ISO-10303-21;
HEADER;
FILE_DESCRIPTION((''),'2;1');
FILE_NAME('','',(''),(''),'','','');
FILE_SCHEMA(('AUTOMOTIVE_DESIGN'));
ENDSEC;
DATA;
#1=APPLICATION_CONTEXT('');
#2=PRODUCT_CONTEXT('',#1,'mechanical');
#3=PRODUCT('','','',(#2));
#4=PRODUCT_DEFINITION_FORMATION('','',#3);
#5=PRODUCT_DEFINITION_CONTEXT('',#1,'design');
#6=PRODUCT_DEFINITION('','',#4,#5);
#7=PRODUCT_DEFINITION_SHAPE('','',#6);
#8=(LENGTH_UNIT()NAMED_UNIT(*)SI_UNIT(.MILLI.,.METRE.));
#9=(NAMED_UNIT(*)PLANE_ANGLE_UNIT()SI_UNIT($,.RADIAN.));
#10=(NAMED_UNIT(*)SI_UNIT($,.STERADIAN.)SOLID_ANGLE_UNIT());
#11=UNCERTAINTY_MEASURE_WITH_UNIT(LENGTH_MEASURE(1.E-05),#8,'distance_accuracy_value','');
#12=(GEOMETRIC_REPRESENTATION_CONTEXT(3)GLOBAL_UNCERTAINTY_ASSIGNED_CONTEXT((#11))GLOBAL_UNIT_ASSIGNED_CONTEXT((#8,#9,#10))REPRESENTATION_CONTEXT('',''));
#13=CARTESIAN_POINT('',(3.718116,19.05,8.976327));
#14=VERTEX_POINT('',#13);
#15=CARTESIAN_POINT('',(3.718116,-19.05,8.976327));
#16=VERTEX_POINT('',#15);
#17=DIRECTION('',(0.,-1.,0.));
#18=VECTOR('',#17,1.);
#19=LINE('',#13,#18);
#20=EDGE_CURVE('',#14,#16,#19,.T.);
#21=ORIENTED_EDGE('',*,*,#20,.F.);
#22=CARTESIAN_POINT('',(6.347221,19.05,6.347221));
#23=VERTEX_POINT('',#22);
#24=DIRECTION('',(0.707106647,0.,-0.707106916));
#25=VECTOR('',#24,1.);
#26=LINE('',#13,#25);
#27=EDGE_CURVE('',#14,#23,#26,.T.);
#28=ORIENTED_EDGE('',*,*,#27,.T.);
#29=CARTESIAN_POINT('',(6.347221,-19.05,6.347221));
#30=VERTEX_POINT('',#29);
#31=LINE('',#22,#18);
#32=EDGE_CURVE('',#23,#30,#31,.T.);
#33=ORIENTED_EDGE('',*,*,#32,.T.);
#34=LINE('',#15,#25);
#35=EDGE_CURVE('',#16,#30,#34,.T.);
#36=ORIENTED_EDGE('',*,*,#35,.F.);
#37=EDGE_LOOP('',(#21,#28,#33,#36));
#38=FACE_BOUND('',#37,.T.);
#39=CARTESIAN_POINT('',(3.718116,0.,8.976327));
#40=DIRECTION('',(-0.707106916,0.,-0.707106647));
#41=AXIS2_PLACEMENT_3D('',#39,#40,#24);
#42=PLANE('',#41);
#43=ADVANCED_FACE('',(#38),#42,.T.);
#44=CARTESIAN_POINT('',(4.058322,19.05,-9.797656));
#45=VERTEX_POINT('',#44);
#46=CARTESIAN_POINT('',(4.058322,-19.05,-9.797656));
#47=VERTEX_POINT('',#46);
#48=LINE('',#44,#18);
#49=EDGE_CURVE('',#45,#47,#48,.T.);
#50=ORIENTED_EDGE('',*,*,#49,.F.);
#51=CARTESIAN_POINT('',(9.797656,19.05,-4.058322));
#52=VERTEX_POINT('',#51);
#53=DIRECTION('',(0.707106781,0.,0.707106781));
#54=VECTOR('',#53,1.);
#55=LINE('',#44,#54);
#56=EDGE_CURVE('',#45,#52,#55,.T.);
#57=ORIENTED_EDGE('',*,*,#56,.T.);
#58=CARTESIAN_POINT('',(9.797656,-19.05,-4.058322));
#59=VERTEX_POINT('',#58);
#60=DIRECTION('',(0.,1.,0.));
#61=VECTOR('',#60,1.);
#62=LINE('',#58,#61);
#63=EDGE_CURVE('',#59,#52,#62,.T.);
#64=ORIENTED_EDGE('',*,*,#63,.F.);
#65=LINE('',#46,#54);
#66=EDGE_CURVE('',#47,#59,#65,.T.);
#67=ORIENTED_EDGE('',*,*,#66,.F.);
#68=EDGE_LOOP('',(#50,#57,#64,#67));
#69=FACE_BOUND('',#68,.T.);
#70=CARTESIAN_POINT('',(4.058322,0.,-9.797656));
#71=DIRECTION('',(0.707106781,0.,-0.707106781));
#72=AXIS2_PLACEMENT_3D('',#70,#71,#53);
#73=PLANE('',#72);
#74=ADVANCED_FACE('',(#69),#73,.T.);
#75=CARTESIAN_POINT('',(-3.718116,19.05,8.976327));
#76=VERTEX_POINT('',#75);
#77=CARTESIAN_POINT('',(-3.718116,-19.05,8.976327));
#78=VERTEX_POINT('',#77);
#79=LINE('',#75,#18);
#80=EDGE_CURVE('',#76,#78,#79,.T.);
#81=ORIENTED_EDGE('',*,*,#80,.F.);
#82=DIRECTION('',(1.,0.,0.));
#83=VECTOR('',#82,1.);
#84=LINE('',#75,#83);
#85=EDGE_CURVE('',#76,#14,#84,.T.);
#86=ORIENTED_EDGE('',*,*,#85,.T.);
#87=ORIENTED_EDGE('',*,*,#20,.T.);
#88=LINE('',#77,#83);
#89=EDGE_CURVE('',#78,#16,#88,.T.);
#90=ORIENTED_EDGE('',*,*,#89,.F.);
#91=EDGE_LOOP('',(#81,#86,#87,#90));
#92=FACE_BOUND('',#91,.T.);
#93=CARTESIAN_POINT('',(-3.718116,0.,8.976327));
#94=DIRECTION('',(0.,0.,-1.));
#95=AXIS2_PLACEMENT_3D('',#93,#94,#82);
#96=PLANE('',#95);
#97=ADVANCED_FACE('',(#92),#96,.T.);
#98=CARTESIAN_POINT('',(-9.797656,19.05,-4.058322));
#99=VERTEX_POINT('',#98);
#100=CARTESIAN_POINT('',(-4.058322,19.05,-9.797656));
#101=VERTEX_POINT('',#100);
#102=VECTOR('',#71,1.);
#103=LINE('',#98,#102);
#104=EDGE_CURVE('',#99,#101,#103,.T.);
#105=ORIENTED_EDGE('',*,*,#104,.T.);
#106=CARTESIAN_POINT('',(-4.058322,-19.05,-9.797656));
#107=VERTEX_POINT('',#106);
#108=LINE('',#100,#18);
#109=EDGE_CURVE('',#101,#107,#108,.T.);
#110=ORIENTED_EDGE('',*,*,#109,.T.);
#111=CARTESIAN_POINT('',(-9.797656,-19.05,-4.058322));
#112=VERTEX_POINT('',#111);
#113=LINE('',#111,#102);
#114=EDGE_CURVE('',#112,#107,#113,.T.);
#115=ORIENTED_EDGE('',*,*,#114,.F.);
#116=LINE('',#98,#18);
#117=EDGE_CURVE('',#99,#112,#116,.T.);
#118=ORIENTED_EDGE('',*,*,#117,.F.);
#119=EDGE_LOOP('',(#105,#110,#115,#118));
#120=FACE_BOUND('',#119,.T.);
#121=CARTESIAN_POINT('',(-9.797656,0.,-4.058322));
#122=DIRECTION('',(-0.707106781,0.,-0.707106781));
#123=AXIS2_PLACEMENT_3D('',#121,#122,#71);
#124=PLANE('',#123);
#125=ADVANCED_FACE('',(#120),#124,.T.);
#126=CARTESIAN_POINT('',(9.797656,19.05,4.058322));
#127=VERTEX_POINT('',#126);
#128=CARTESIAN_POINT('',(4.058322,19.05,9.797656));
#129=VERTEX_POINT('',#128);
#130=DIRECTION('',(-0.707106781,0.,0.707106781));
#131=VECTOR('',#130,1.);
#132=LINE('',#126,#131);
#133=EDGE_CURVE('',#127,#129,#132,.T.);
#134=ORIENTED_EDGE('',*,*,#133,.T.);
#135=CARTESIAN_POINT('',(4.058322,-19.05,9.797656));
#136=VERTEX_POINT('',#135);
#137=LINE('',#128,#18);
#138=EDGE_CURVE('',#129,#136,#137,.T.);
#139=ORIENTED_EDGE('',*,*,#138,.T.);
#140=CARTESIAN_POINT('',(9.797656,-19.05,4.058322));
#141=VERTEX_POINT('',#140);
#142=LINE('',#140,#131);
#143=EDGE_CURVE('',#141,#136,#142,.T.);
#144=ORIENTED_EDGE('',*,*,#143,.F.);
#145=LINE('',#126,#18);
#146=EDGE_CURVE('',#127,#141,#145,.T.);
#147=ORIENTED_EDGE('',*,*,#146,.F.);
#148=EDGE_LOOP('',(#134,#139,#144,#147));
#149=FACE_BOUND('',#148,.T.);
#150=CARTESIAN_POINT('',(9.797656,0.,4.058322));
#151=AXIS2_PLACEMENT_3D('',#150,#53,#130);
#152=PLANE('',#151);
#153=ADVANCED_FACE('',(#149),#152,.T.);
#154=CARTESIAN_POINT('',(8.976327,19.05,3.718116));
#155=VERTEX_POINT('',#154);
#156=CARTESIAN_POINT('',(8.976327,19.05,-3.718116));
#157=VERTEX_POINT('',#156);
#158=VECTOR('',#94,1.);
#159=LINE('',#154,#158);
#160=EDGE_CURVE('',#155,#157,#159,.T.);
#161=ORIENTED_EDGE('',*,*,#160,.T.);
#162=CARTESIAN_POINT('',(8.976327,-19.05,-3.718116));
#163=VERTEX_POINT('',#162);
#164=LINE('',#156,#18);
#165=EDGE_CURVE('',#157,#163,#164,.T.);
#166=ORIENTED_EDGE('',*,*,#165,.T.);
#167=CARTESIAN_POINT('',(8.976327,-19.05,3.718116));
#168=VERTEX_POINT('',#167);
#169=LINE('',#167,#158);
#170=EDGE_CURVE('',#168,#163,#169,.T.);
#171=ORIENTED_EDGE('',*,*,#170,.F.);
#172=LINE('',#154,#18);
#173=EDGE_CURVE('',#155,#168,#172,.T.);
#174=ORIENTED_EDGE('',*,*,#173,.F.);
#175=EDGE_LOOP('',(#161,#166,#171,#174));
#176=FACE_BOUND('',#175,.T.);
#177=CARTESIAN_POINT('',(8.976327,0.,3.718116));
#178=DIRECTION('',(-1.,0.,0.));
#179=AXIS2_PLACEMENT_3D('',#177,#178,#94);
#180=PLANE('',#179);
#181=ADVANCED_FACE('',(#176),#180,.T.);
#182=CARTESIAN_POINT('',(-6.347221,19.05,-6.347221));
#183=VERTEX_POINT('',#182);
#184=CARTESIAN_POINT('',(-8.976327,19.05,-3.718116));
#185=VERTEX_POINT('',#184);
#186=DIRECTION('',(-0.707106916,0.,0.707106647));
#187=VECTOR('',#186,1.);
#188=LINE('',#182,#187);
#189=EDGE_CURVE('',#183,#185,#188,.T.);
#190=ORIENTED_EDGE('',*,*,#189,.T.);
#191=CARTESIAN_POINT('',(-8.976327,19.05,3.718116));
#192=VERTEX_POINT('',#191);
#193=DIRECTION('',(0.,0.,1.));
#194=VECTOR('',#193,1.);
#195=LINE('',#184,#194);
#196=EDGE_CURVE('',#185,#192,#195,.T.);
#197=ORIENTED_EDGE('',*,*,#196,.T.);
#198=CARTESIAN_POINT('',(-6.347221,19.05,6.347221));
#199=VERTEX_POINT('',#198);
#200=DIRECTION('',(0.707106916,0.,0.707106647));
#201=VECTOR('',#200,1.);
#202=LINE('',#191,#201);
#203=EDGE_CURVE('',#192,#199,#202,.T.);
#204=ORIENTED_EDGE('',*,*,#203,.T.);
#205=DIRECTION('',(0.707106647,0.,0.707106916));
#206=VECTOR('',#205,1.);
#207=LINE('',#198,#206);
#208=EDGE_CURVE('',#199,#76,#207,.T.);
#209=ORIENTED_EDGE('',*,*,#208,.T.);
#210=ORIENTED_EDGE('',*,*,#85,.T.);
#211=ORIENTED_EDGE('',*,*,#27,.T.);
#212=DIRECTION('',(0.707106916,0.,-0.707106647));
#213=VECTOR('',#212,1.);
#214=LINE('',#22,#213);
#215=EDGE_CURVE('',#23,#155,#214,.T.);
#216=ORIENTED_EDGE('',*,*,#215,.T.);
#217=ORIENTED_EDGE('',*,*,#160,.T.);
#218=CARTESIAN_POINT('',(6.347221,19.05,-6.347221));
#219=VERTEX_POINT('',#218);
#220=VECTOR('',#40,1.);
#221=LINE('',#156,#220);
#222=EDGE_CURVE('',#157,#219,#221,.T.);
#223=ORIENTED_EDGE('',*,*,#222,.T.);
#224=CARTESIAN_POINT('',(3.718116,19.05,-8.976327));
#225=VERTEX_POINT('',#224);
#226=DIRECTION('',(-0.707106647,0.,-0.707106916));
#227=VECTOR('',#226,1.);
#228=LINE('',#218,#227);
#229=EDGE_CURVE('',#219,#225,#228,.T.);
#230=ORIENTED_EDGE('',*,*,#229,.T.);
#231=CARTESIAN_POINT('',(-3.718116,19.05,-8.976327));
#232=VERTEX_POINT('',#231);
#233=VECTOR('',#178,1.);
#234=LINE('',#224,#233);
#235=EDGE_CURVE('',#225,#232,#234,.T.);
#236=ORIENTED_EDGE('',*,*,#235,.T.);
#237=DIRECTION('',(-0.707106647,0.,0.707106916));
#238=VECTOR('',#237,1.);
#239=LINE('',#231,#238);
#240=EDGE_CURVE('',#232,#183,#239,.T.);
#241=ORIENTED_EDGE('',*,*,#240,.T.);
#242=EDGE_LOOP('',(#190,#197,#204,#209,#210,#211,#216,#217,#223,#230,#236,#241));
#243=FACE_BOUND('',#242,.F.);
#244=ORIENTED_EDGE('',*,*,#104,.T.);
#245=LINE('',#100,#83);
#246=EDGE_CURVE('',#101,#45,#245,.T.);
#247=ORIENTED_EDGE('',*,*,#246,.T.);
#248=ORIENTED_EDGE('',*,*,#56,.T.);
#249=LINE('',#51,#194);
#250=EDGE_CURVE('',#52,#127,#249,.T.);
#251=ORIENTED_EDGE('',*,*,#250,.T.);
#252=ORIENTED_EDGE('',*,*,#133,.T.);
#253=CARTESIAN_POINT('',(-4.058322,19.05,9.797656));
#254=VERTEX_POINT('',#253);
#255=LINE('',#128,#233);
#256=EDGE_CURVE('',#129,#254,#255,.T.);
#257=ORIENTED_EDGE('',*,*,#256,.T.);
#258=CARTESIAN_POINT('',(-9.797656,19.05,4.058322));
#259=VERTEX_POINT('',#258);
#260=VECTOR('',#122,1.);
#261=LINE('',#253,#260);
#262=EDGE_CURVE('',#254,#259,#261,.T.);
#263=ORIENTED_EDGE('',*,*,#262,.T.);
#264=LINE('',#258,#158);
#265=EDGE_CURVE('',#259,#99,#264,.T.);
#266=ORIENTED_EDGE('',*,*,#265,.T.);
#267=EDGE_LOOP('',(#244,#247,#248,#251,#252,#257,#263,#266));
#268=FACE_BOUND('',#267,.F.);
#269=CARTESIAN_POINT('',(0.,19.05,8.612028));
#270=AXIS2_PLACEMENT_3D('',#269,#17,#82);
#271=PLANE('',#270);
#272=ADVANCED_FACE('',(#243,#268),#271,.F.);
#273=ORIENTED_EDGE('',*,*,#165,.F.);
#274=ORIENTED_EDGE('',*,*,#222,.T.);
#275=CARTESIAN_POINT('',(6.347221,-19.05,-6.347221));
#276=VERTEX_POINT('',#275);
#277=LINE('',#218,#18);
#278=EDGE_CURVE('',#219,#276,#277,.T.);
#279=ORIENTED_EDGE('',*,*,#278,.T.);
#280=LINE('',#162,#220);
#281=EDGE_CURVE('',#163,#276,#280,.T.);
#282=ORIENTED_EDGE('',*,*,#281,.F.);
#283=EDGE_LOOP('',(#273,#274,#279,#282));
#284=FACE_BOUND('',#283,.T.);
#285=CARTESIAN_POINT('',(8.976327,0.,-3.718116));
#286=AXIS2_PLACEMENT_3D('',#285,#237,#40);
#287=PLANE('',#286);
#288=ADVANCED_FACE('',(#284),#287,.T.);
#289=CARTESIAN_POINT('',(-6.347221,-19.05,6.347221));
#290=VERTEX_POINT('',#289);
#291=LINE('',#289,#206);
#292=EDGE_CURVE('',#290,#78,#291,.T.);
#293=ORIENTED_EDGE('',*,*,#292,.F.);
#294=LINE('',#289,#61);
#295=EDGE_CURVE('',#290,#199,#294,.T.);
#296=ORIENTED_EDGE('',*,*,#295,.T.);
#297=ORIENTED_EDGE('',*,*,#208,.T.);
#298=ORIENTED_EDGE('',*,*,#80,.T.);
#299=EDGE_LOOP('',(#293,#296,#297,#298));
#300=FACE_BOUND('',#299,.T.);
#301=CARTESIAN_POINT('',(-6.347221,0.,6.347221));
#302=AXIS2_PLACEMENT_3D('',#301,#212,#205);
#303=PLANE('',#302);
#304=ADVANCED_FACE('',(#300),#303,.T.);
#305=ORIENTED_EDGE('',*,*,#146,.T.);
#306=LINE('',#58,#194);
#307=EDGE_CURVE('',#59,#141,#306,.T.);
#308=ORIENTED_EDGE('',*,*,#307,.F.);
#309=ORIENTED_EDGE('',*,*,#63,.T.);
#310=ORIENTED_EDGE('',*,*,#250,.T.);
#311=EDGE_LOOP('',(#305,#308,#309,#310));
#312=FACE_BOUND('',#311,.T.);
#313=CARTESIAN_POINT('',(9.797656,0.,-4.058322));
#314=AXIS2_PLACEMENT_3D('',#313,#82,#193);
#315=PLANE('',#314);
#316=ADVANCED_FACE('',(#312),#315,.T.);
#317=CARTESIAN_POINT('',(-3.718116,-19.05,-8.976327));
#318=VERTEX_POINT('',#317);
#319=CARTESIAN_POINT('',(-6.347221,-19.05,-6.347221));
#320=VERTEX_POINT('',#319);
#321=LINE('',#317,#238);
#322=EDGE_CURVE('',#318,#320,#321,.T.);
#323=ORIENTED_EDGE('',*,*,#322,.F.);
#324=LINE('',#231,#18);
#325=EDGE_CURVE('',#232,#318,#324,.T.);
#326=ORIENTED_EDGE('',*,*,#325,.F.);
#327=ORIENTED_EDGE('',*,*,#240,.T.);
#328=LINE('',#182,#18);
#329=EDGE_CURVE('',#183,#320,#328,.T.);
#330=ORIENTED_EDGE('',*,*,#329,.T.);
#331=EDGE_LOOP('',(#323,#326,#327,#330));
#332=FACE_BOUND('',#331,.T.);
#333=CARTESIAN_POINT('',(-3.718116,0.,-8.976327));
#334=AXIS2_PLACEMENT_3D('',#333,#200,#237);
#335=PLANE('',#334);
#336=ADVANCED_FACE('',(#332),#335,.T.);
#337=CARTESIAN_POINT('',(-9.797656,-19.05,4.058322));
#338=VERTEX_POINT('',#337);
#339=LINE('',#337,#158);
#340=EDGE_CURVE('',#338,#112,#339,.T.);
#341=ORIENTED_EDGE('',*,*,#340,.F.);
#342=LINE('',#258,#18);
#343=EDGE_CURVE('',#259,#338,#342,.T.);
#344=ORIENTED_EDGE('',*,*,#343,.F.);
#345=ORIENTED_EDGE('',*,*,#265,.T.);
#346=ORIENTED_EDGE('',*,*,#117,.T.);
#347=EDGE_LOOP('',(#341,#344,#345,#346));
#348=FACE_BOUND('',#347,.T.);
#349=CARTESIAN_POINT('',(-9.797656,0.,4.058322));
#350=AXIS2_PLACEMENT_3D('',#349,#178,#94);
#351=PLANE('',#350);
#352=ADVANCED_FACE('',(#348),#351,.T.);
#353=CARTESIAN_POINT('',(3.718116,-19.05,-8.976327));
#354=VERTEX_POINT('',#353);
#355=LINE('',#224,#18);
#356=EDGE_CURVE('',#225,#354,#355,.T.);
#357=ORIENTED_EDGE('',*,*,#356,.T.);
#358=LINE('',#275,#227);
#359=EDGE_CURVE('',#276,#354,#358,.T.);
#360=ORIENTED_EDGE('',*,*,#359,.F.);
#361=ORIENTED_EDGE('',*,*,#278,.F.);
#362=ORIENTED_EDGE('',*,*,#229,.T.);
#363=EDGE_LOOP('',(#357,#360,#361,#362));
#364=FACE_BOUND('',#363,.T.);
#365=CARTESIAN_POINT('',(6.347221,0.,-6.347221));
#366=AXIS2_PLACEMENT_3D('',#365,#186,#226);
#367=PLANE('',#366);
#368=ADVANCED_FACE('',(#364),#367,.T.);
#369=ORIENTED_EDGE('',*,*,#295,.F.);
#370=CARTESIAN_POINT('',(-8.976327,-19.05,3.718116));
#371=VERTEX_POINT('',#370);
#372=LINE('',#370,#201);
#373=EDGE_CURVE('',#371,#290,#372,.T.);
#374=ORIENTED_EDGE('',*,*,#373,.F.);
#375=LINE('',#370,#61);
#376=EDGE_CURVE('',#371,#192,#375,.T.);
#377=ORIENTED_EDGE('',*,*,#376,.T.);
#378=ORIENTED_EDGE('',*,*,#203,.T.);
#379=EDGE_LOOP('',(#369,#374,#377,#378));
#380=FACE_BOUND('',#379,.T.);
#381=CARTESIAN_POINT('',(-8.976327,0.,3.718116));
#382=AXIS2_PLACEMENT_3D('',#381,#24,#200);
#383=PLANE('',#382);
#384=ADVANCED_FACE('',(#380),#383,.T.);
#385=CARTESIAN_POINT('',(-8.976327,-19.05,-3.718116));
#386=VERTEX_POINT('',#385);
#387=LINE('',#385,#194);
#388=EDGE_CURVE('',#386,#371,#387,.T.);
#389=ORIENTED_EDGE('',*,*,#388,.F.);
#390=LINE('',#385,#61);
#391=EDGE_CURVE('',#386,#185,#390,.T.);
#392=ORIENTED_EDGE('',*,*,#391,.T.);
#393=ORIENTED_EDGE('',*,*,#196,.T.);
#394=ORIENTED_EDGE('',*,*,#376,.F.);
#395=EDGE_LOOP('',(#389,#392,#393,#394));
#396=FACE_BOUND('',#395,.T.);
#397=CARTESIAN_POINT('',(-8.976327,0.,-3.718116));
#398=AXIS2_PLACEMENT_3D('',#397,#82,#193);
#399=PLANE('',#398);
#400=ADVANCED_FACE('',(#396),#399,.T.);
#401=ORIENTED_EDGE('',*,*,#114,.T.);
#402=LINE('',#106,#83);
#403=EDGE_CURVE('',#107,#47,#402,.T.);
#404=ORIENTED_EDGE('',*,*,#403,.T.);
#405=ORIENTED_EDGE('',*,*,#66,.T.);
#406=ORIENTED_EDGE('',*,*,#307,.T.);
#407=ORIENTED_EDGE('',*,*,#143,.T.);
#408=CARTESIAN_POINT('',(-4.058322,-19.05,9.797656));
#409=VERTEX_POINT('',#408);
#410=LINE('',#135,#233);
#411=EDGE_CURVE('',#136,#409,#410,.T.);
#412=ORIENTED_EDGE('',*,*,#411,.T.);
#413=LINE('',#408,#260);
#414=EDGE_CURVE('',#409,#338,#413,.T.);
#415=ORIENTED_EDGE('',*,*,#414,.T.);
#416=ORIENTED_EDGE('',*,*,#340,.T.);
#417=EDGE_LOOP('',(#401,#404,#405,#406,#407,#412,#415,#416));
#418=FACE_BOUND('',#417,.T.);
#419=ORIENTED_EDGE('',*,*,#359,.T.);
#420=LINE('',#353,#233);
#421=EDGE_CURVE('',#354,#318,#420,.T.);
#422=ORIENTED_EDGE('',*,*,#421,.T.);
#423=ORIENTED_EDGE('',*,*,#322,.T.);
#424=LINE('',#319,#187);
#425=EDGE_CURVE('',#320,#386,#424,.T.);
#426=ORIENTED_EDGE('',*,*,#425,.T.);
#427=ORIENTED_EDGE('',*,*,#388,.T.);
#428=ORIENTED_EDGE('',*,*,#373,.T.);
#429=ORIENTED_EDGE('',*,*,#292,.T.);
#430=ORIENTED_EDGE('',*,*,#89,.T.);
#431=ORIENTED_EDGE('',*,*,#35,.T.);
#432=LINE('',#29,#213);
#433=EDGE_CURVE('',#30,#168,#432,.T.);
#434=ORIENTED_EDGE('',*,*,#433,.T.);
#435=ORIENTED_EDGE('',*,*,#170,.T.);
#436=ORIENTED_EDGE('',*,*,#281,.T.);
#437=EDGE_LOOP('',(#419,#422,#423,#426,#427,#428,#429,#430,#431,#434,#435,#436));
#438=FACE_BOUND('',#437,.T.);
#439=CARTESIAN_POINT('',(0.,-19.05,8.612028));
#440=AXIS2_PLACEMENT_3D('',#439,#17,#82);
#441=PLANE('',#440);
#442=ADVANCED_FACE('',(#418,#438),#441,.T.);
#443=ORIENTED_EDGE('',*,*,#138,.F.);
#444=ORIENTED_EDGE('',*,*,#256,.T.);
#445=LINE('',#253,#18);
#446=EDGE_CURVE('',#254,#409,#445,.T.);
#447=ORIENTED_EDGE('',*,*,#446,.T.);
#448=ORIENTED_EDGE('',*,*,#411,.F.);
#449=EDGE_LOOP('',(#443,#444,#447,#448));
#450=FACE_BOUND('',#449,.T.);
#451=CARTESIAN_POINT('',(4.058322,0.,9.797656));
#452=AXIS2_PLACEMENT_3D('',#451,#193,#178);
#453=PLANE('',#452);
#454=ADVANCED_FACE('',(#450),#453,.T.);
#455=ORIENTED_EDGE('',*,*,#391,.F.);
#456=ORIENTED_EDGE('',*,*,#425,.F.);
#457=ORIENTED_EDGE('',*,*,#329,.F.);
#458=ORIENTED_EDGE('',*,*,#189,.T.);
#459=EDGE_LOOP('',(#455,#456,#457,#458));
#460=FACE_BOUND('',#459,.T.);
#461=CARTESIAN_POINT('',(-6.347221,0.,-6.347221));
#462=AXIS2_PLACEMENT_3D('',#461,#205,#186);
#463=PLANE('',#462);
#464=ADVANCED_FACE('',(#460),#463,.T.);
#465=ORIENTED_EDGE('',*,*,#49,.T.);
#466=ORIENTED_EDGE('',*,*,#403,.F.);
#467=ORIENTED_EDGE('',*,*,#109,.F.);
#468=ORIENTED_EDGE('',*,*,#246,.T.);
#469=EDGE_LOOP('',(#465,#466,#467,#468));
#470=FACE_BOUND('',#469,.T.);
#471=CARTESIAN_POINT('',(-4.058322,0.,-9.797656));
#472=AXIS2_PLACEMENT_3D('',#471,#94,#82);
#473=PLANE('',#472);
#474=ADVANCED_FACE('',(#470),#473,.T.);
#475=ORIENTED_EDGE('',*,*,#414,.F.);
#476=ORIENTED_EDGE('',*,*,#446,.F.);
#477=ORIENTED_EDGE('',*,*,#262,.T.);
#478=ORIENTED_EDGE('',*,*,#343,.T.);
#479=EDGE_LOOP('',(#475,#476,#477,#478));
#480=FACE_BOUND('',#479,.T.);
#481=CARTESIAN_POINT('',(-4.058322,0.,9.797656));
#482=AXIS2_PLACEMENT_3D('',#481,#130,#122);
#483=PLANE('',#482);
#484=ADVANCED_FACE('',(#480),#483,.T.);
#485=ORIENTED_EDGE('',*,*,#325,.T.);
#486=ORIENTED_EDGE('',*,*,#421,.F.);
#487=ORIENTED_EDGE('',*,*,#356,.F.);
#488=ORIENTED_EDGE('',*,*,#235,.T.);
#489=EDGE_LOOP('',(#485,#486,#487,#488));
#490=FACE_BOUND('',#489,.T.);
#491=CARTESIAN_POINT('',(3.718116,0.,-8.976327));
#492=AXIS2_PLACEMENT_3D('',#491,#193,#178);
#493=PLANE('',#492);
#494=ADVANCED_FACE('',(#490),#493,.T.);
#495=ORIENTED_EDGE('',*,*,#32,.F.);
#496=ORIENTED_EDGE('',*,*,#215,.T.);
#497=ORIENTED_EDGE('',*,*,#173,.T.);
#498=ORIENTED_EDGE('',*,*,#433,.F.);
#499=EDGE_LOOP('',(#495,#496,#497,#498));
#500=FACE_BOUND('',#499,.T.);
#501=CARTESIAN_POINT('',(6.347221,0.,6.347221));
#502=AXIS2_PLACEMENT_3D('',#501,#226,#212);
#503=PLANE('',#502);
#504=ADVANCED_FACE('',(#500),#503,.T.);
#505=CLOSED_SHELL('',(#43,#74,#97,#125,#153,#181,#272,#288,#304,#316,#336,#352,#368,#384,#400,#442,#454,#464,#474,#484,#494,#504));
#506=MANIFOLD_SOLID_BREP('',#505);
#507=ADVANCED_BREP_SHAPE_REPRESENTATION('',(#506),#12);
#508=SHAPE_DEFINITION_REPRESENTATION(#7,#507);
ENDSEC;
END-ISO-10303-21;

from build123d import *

# Parameters (mm, degrees)
F1_DEPTH = 19.05


with BuildPart() as f1:
    # F0 (on Front) → F1 (new body, symmetric)
    with BuildSketch(Plane.XZ):
        Polygon((-6.927989, 6.927989), (-6.347221, 6.347221), (-3.718116, 8.976327), (3.718116, 8.976327), (6.347221, 6.347221), (6.927989, 6.927989), (4.058322, 9.797656), (-4.058322, 9.797656), align=None)
        Polygon((-8.976327, 3.718116), (-6.347221, 6.347221), (-6.927989, 6.927989), (-9.797656, 4.058322), (-9.797656, -4.058322), (-6.927989, -6.927989), (-6.347221, -6.347221), (-8.976327, -3.718116), align=None)
        Polygon((6.927989, 6.927989), (6.347221, 6.347221), (8.976327, 3.718116), (8.976327, -3.718116), (6.347221, -6.347221), (6.927989, -6.927989), (9.797656, -4.058322), (9.797656, 4.058322), align=None)
        Polygon((-3.718116, -8.976327), (-6.347221, -6.347221), (-6.927989, -6.927989), (-4.058322, -9.797656), (4.058322, -9.797656), (6.927989, -6.927989), (6.347221, -6.347221), (3.718116, -8.976327), align=None)
    extrude(amount=F1_DEPTH, both=True)


solid = f1.part
